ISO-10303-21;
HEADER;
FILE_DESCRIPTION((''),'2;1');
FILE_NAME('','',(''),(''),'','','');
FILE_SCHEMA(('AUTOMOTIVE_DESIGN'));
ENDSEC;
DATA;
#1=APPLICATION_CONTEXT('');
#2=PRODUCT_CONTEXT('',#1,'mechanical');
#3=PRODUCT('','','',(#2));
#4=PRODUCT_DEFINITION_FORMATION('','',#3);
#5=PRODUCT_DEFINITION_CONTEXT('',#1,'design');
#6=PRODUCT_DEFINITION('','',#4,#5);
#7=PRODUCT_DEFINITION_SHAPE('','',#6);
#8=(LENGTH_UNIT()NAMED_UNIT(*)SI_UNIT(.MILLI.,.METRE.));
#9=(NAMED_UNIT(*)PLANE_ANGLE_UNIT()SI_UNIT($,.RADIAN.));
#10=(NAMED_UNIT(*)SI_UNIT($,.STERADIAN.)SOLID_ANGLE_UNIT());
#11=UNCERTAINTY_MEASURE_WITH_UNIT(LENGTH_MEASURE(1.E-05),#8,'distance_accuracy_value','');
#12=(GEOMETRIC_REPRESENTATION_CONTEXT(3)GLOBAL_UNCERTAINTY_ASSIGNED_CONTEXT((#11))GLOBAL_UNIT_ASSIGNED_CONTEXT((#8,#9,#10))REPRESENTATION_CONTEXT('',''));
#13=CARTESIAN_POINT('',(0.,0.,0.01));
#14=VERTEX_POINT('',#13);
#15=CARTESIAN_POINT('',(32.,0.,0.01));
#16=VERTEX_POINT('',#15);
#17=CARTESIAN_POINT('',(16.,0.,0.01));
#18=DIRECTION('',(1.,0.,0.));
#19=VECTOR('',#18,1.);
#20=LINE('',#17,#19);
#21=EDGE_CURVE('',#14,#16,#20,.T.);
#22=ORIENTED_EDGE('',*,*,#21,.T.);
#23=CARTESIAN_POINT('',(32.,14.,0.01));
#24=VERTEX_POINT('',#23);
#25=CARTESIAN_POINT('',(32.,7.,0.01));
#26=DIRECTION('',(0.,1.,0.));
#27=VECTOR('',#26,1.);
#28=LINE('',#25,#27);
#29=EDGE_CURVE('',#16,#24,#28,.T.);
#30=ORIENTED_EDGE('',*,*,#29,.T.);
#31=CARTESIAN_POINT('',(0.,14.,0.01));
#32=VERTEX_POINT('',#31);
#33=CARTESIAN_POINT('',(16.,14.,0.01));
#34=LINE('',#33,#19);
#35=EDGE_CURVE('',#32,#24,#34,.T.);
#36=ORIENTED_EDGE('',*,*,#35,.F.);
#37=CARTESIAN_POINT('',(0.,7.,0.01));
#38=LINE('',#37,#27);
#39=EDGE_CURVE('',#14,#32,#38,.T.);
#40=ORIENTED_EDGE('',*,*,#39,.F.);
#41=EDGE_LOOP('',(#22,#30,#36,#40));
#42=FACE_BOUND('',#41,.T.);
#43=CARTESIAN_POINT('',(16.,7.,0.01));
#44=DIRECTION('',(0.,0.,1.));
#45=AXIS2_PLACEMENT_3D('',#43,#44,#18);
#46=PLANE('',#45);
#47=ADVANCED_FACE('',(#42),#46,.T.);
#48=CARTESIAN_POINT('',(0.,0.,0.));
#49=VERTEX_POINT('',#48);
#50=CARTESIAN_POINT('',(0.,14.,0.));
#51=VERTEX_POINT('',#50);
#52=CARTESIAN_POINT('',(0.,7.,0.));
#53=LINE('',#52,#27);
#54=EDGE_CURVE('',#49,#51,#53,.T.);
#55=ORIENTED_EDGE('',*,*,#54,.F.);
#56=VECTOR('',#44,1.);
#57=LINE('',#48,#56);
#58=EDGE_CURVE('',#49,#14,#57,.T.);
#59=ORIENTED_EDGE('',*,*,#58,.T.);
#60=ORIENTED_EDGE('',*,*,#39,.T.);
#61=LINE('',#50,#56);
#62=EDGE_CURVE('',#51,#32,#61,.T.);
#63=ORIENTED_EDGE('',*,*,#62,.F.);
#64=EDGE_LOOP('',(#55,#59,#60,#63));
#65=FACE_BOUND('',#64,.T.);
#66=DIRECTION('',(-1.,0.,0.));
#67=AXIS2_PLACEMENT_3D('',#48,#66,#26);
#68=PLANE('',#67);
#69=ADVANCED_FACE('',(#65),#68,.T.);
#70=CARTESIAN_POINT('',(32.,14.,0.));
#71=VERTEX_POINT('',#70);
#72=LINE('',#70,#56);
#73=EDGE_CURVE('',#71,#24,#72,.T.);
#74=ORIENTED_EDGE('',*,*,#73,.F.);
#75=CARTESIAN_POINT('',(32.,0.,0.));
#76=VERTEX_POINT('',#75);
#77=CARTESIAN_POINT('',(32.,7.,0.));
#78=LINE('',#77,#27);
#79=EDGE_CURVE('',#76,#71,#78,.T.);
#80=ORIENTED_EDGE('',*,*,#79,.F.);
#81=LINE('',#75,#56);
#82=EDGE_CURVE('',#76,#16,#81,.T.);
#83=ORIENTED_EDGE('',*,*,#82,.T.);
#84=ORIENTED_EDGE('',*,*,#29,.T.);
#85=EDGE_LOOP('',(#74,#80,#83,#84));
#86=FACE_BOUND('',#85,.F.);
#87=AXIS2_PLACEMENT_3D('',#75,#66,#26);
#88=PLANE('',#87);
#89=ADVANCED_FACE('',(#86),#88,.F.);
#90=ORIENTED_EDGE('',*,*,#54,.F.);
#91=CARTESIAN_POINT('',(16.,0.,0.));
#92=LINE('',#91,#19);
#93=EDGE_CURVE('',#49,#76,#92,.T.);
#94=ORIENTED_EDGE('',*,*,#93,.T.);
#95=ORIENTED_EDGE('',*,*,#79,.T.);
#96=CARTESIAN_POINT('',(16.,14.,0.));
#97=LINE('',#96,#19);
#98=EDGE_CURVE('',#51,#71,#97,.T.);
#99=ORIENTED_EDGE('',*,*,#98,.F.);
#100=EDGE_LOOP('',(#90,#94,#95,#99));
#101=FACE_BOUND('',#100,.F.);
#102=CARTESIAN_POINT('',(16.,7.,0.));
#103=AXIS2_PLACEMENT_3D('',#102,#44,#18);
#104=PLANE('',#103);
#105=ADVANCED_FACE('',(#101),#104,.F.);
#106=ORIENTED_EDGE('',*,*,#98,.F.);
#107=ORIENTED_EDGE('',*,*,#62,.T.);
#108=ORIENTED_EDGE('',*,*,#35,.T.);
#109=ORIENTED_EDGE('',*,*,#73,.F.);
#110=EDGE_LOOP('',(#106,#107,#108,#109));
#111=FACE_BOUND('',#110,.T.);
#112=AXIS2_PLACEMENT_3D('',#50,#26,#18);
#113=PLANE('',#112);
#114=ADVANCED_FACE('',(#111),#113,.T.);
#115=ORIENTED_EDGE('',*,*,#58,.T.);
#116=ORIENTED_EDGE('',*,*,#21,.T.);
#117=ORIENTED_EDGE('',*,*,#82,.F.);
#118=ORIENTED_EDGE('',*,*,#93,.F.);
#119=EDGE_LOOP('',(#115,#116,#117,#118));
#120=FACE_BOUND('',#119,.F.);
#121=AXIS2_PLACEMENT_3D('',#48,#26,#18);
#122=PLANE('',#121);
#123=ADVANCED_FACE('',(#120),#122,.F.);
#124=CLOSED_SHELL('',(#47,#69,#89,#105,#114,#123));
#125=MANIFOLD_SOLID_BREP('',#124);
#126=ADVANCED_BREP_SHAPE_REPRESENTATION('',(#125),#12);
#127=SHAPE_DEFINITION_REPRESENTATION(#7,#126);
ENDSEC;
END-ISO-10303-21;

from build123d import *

# Parameters (mm, degrees)
BOX_W     = 32
BOX_H     = 14
BOX_DEPTH = 0.01


with BuildPart() as part:
    # Box → Box (new body)
    with BuildSketch(Plane.XY):
        with Locations((16, 7)):
            Rectangle(BOX_W, BOX_H)
    extrude(amount=BOX_DEPTH)


solid = part.part
